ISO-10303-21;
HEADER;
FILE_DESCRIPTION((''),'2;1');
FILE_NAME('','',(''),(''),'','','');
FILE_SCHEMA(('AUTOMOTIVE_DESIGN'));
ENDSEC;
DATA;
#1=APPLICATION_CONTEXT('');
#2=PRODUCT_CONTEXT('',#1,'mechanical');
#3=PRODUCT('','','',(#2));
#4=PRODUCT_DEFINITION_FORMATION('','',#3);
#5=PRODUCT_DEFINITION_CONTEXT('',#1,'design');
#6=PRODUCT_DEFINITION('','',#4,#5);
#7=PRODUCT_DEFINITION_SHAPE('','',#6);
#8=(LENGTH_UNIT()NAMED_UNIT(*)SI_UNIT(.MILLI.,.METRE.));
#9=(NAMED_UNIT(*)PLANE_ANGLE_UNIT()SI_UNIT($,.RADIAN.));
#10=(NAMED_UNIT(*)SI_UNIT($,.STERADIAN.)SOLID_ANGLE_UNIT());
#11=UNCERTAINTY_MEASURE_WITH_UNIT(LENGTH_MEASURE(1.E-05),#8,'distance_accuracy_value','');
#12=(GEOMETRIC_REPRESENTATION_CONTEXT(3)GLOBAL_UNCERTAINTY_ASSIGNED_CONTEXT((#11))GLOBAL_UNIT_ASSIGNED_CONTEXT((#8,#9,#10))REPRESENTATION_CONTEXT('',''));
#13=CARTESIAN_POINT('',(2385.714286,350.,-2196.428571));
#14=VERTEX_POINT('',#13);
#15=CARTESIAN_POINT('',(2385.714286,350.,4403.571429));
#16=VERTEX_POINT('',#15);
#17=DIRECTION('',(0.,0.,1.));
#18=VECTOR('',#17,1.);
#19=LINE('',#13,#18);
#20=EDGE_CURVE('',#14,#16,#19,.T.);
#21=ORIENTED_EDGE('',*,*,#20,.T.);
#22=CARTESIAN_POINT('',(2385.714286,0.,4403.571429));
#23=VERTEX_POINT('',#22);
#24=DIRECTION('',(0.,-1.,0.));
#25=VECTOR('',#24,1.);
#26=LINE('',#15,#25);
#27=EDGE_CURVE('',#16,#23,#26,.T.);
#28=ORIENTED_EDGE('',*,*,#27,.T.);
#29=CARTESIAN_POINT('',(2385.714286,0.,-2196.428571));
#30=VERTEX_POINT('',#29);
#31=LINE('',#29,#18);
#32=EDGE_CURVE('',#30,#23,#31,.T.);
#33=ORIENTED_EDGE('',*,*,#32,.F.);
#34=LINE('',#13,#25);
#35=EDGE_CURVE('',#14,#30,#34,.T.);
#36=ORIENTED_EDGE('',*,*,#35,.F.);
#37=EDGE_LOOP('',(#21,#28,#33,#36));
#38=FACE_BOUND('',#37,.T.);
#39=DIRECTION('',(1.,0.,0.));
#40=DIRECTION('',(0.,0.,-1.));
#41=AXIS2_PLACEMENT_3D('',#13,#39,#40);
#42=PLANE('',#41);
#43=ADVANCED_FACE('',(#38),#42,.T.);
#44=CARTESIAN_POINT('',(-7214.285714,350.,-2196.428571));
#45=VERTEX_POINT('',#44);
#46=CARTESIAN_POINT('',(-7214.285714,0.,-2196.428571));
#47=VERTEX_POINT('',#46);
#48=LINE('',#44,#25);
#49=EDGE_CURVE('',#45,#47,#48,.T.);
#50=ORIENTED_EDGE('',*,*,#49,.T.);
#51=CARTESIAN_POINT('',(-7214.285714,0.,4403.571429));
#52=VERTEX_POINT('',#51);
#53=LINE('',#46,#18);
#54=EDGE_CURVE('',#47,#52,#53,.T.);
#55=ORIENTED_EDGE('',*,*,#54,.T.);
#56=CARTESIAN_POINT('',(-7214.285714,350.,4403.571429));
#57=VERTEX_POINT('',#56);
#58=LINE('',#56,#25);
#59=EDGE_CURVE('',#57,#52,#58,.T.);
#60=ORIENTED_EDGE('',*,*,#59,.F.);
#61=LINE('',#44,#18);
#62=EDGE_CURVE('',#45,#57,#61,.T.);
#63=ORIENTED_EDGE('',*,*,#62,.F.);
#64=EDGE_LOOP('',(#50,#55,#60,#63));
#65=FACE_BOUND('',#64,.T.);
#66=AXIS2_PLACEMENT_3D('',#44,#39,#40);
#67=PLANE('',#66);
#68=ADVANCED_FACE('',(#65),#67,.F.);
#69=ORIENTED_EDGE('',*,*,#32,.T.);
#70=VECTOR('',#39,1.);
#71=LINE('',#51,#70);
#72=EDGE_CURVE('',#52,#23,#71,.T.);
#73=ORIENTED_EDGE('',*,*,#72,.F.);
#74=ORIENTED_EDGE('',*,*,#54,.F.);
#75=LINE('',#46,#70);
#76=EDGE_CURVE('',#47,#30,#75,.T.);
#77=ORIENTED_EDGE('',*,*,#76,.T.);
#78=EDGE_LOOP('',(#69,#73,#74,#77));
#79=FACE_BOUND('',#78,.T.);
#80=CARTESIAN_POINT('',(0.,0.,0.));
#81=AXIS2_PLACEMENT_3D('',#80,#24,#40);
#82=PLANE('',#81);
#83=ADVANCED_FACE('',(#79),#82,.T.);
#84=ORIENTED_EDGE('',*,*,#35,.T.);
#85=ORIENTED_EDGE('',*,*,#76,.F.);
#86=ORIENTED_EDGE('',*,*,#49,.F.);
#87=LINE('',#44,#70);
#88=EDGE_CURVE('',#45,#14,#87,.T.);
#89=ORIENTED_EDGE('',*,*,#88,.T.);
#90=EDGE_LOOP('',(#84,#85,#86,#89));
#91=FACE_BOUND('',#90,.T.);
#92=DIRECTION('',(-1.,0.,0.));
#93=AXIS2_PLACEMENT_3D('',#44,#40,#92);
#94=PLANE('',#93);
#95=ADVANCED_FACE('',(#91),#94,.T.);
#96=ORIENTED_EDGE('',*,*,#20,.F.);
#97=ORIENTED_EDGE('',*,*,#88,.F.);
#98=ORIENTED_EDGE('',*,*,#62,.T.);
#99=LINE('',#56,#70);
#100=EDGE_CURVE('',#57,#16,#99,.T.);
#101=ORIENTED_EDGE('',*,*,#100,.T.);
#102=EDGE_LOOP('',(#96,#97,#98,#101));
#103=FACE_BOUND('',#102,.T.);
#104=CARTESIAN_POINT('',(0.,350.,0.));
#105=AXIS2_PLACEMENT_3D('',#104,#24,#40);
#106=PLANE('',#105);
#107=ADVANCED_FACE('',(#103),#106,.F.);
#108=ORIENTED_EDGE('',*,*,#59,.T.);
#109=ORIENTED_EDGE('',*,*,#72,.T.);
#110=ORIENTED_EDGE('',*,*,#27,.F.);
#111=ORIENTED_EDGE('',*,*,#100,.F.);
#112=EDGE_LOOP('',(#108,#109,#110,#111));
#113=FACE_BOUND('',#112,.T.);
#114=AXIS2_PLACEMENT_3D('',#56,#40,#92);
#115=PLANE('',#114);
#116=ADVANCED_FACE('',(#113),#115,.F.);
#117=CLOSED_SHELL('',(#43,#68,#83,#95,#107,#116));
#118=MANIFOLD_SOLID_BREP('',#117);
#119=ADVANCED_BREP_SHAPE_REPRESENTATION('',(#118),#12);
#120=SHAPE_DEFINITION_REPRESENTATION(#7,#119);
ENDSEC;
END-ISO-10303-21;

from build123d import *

# Parameters (mm, degrees)
SKETCH_1_W      = 9600
SKETCH_1_H      = 6600
EXTRUDE_1_DEPTH = 350


with BuildPart() as part:
    # Эскиз1 → Бобышка-Вытянуть1 (new body)
    with BuildSketch(Plane(origin=(0, 0, 0), x_dir=(1, 0, 0), z_dir=(0, 1, 0))):
        with Locations((-2414.285714286, -1103.571428571)):
            Rectangle(SKETCH_1_W, SKETCH_1_H)
    extrude(amount=EXTRUDE_1_DEPTH)


solid = part.part
